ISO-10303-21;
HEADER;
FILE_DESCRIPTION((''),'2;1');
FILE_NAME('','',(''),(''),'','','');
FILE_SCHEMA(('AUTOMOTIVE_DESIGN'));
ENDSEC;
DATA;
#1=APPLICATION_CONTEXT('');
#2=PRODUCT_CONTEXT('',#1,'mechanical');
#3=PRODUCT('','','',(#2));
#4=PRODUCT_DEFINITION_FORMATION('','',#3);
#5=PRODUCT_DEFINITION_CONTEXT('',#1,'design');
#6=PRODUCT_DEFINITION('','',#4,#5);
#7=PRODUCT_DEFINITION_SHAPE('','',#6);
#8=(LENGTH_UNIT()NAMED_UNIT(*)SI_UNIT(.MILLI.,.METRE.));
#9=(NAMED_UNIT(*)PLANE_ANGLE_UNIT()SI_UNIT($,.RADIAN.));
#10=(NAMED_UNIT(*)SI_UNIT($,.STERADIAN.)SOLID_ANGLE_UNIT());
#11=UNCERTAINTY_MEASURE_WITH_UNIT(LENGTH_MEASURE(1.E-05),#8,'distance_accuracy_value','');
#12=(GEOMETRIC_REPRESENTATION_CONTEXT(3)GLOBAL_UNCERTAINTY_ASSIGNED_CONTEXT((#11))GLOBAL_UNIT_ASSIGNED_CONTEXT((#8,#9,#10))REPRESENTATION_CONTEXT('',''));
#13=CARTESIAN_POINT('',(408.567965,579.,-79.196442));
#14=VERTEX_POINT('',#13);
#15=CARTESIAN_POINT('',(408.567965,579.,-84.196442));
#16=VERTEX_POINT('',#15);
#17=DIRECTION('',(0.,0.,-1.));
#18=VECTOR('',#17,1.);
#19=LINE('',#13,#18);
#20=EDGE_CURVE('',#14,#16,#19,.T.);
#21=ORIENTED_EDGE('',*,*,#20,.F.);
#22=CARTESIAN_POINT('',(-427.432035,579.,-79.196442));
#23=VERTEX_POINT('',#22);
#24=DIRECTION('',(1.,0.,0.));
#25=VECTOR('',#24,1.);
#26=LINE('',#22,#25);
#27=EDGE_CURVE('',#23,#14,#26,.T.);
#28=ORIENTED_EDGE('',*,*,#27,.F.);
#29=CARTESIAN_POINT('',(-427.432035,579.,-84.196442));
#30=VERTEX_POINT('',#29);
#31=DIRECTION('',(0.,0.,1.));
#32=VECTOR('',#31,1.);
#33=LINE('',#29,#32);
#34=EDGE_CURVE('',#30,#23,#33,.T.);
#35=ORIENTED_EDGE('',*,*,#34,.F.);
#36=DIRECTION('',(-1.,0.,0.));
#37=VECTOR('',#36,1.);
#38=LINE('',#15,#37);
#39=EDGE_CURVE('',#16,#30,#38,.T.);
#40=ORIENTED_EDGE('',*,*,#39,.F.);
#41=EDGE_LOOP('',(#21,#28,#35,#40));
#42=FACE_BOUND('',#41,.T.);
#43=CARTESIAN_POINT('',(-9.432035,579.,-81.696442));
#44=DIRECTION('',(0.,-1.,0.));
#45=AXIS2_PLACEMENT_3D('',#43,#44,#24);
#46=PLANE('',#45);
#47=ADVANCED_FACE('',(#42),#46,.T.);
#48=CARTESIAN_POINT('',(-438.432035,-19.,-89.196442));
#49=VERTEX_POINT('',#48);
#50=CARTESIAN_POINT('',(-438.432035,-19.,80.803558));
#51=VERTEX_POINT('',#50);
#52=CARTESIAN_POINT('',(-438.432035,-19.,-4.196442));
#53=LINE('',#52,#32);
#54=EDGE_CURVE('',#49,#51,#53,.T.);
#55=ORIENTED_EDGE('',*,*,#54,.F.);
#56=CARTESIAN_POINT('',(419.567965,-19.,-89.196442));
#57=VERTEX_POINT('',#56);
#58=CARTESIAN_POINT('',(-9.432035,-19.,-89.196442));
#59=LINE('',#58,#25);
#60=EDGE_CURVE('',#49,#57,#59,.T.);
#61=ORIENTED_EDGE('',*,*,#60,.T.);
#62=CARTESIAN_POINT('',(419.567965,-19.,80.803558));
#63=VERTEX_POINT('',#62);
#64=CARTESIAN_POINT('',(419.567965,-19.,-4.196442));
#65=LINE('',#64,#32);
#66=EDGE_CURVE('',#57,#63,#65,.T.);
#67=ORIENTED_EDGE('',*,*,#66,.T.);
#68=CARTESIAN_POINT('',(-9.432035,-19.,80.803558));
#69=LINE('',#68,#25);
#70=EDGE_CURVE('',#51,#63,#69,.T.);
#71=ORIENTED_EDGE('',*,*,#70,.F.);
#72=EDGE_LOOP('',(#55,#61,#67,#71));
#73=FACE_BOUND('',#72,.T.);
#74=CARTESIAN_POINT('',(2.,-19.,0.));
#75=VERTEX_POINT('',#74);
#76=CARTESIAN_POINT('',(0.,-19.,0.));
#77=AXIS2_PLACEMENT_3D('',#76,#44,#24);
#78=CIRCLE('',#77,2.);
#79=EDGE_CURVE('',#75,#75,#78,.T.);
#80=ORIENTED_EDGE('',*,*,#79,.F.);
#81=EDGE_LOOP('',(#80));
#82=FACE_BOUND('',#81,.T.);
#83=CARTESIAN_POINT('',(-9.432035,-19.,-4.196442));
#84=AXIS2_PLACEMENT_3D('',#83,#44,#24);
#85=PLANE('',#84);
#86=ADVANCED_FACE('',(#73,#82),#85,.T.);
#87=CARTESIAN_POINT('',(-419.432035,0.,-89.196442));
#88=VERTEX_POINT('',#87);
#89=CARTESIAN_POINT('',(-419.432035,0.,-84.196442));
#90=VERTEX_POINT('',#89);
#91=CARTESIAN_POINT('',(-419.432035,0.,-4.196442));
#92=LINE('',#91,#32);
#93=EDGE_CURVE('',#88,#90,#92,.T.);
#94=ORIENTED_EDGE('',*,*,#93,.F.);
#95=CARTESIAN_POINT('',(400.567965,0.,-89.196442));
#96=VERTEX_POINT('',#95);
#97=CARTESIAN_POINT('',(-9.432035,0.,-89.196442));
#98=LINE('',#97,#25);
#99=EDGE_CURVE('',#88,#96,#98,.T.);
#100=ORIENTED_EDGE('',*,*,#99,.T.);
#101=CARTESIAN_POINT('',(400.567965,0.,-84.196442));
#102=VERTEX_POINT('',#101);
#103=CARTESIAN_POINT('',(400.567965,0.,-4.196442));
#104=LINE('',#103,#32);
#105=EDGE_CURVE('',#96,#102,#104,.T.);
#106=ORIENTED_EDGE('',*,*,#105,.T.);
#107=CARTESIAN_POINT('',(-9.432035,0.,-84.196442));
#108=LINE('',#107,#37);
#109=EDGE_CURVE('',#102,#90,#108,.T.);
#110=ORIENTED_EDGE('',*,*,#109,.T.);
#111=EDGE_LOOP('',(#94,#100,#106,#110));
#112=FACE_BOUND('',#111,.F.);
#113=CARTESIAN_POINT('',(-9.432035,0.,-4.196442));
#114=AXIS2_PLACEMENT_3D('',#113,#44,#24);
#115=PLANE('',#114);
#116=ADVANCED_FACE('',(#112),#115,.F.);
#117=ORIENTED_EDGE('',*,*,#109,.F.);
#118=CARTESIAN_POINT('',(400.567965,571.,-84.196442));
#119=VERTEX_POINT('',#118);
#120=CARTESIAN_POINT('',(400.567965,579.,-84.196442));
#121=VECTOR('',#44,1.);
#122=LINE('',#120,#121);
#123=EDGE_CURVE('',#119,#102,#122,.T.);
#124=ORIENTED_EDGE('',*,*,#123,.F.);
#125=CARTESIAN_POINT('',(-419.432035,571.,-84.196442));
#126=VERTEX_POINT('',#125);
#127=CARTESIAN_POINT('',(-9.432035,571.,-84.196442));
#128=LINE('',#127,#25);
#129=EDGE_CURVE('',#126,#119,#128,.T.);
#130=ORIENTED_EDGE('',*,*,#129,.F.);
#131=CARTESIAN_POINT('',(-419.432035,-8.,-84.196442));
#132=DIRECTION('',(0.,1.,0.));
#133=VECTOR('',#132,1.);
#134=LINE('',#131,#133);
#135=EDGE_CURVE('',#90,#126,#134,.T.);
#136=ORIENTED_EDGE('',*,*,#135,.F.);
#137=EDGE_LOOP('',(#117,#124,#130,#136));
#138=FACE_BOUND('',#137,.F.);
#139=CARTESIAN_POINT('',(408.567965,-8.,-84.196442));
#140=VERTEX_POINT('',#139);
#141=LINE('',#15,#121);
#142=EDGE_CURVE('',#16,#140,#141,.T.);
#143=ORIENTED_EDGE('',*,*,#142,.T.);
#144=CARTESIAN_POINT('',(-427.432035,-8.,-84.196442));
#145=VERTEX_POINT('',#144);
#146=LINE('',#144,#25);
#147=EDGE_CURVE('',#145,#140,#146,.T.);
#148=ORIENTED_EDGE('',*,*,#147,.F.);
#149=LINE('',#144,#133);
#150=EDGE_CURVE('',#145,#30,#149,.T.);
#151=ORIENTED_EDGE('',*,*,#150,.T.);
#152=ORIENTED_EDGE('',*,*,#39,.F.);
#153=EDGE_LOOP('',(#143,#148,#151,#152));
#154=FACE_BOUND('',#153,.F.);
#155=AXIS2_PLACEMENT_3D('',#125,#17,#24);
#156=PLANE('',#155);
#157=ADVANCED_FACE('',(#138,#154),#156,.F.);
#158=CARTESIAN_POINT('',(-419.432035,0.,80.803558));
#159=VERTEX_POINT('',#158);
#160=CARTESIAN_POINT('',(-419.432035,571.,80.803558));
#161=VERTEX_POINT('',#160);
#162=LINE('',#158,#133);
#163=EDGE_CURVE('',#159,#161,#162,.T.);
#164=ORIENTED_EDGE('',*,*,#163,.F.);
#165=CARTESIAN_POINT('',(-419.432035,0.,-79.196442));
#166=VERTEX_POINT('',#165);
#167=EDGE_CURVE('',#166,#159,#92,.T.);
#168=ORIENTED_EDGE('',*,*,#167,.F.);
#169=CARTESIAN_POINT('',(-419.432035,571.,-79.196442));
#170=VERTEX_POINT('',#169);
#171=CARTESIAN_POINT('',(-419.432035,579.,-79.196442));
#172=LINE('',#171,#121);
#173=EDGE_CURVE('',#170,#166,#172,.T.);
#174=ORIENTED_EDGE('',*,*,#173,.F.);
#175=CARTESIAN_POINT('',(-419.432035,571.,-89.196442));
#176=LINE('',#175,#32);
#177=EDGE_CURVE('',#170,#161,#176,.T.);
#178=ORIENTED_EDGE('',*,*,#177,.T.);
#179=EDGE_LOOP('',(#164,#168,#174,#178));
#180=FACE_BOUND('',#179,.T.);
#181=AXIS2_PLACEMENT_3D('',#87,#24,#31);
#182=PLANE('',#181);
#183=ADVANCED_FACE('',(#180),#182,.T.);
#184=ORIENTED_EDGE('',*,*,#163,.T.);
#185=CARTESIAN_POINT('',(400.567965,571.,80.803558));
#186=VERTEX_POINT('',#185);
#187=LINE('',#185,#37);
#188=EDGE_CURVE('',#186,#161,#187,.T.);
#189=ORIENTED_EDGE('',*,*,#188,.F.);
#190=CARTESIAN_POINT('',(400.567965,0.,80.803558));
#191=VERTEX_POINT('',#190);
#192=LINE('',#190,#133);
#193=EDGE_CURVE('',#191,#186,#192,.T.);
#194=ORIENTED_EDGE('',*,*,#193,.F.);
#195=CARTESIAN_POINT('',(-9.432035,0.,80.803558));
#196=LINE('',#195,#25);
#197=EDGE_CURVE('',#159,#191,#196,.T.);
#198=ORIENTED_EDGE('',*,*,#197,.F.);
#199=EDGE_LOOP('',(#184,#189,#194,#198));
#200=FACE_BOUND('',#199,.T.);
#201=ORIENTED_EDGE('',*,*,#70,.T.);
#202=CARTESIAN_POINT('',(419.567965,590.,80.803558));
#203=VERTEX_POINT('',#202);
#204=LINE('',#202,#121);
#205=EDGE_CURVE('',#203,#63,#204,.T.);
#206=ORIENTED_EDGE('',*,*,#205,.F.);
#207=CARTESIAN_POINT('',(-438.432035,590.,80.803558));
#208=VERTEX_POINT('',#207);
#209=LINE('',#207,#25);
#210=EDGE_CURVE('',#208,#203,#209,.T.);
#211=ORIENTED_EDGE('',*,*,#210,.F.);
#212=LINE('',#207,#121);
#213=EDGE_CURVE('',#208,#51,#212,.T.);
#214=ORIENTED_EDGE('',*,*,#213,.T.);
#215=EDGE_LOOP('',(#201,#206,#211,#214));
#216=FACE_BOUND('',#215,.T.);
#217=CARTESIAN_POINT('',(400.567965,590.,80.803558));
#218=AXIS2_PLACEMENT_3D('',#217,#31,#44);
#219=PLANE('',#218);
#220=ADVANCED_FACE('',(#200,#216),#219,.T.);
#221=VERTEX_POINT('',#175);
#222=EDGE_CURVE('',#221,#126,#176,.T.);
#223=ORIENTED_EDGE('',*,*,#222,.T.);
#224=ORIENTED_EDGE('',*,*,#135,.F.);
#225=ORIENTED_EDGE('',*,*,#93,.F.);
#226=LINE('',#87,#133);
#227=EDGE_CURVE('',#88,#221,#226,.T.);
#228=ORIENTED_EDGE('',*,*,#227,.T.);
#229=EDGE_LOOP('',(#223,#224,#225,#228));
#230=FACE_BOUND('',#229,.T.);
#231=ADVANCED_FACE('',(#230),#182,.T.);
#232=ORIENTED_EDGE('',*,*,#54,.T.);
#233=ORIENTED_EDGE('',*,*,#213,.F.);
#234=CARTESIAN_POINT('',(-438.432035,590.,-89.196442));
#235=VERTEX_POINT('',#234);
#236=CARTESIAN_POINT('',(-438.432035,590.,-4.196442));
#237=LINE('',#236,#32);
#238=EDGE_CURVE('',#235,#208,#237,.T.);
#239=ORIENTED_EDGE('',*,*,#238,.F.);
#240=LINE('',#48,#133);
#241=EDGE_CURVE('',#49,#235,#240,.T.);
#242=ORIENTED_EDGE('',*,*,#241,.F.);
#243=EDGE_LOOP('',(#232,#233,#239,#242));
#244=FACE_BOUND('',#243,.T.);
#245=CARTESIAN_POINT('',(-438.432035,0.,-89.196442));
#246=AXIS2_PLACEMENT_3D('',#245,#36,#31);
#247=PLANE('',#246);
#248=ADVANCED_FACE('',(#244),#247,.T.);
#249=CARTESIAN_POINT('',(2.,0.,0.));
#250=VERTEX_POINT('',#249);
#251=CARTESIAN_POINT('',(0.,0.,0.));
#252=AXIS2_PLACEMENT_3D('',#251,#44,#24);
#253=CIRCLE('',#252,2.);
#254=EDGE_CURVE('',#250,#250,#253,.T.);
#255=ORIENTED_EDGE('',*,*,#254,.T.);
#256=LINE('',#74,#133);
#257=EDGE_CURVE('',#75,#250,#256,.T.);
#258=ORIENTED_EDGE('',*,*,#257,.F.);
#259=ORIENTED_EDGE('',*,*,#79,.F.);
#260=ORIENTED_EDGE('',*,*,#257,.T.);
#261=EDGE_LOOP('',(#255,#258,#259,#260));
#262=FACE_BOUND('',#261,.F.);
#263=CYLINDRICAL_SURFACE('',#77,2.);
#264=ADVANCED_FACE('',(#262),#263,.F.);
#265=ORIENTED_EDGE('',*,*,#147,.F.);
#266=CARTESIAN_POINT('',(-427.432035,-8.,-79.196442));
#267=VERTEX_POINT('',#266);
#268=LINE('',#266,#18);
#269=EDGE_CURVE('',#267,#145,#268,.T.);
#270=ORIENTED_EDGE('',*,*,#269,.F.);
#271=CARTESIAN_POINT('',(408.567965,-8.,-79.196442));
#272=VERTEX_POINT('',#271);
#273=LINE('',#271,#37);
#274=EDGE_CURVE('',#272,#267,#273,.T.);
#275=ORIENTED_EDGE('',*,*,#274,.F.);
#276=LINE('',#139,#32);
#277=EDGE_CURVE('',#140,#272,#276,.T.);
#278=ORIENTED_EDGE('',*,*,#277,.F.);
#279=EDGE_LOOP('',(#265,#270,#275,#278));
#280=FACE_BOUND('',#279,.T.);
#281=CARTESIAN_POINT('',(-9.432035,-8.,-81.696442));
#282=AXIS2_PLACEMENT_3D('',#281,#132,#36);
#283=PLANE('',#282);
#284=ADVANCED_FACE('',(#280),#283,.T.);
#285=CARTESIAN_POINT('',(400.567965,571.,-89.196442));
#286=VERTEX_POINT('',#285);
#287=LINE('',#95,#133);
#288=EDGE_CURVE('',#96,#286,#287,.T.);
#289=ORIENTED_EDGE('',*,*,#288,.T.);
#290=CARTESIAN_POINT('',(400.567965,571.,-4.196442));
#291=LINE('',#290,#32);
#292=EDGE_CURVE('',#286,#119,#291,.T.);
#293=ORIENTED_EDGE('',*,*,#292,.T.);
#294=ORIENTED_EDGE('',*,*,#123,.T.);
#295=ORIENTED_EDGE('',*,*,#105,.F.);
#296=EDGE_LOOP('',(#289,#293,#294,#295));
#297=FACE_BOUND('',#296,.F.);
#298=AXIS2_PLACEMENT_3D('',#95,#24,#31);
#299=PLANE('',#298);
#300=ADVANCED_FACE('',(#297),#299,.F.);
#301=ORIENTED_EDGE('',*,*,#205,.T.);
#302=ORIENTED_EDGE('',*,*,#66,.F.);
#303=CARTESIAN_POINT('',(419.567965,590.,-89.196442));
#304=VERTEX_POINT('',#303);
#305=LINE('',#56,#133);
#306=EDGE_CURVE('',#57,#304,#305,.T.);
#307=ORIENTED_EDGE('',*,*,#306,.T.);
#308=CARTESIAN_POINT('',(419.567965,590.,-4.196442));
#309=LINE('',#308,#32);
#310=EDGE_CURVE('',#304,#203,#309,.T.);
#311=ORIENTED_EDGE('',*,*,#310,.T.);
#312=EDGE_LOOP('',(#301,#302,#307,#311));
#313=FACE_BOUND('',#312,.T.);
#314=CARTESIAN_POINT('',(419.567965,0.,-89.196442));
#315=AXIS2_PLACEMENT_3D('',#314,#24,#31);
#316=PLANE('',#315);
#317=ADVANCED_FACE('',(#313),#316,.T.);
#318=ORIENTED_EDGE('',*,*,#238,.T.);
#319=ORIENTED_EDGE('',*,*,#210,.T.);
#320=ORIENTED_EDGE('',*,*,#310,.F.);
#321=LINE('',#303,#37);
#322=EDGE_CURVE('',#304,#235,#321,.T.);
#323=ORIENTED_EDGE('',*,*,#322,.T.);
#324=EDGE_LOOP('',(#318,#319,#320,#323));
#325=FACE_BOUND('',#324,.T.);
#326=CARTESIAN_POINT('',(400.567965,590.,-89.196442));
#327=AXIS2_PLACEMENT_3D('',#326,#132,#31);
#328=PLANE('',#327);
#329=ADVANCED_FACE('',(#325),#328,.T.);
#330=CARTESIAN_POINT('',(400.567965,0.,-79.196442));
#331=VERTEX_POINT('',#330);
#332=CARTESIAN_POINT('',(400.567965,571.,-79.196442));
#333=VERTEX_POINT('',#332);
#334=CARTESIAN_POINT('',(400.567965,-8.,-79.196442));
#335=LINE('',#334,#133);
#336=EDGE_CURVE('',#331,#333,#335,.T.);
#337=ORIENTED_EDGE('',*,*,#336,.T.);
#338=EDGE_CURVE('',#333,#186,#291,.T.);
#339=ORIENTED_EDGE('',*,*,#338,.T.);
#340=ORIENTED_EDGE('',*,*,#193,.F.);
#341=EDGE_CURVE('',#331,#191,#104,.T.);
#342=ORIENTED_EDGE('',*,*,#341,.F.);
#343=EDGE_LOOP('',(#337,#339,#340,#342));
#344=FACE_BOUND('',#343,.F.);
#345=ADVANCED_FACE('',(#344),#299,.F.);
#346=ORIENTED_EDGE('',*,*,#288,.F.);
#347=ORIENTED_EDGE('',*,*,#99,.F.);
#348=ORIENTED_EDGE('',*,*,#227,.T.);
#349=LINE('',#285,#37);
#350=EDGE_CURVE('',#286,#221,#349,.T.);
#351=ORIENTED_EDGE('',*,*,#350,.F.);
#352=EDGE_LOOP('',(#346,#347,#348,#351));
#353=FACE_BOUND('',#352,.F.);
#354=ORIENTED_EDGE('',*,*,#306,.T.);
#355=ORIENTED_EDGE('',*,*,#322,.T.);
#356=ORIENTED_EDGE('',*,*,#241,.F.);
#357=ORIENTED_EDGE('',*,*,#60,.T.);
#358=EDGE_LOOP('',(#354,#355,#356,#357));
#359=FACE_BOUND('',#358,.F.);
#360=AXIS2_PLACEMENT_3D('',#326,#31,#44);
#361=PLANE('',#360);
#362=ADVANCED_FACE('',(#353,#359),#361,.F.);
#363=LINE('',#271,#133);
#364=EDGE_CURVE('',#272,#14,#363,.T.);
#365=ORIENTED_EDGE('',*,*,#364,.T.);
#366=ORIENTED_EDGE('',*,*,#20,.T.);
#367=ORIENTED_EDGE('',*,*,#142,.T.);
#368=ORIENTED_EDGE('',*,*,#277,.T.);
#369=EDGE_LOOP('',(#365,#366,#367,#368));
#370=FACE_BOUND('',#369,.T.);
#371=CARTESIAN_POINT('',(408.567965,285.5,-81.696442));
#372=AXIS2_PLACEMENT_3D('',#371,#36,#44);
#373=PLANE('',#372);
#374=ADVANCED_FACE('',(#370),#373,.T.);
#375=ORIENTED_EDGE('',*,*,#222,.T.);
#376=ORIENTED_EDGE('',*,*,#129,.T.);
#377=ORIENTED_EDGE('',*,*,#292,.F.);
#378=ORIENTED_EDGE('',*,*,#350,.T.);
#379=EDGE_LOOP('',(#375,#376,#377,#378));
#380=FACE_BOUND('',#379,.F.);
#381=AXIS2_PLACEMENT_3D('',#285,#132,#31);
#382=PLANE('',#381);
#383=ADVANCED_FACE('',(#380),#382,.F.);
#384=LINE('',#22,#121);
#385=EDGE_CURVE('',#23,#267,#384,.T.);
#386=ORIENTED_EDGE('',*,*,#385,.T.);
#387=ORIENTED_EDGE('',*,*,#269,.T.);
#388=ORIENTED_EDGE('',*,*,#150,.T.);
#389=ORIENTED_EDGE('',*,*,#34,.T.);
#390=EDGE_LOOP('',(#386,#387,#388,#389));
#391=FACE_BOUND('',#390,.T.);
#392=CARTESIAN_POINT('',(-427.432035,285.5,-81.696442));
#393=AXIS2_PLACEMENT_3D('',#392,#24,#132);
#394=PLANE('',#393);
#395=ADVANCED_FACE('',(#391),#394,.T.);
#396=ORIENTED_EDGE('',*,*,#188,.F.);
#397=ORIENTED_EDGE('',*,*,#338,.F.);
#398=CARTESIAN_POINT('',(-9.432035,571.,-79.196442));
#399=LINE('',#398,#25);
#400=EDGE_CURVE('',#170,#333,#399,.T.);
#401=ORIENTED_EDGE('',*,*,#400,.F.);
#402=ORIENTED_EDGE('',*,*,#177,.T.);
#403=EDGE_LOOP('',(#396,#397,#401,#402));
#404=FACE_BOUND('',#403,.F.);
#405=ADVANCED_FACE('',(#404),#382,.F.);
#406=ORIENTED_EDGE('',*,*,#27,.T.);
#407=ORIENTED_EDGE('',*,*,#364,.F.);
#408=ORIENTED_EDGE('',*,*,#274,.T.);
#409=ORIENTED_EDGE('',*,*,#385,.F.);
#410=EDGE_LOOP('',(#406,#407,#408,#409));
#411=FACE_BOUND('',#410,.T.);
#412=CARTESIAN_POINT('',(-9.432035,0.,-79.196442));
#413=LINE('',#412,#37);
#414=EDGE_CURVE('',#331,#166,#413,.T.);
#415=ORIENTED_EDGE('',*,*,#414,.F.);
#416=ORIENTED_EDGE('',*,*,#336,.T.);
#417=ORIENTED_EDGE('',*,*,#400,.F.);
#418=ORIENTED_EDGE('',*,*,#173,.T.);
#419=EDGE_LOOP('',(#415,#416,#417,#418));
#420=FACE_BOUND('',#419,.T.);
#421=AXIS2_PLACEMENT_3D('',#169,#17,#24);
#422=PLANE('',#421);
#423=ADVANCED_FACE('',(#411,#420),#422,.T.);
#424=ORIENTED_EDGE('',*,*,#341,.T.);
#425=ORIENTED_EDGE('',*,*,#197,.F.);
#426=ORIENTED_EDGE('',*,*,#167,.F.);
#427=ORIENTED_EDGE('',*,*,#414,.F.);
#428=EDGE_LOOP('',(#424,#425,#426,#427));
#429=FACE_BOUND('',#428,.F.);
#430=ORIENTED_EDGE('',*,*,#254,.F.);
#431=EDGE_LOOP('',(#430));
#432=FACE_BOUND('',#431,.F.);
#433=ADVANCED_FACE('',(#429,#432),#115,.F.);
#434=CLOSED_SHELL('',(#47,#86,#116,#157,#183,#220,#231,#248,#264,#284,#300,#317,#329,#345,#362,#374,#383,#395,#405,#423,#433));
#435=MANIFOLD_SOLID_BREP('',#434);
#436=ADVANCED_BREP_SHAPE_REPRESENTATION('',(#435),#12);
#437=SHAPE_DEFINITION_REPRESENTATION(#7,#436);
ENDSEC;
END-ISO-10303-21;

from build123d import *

# Parameters (mm, degrees)
F0_W      = 858
F0_H      = 170
F1_DEPTH  = 19
F2_W      = 19
F2_H      = 170
F3_DEPTH  = 590
F4_W      = 19
F4_H      = 170
F5_DEPTH  = 824
F6_W      = 820
F6_H      = 5
F7_DEPTH  = 8
F8_W      = 820
F8_H      = 5
F9_DEPTH  = 8
F11_DEPTH = 8
F13_DEPTH = 8
F14_R     = 2
F15_DEPTH = 19


with BuildPart() as f1:
    # F0 (on Front) → F1 (new body)
    with BuildSketch(Plane.XZ):
        with Locations((-9.432035, -4.196442)):
            Rectangle(F0_W, F0_H)
    extrude(amount=F1_DEPTH)

    # F2 (on face) → F3 (join)
    with BuildSketch(Plane(origin=(0, 0, 0), x_dir=(-1, 0, 0), z_dir=(0, 1, 0))):
        with Locations((-410.067965, -4.196442)):
            Rectangle(F2_W, F2_H)
        with Locations((428.932035, -4.196442)):
            Rectangle(F2_W, F2_H)
    extrude(amount=F3_DEPTH)

    # F4 (on face) → F5 (join)
    with BuildSketch(Plane(origin=(400.567965, 0, 0), x_dir=(0, -1, 0), z_dir=(-1, 0, 0))):
        with Locations((-580.5, -4.196442)):
            Rectangle(F4_W, F4_H)
    extrude(amount=F5_DEPTH)

    # F6 (on face) → F7 (cut)
    with BuildSketch(Plane.XZ.offset(-571)):
        with Locations((-9.432035, -81.696442)):
            Rectangle(F6_W, F6_H)
    extrude(amount=-F7_DEPTH, mode=Mode.SUBTRACT)

    # F8 (on face) → F9 (cut)
    with BuildSketch(Plane(origin=(0, 0, 0), x_dir=(-1, 0, 0), z_dir=(0, 1, 0))):
        with Locations((9.432035, -81.696442)):
            Rectangle(F8_W, F8_H)
    extrude(amount=-F9_DEPTH, mode=Mode.SUBTRACT)

    # F10 (on face) → F11 (cut)
    with BuildSketch(Plane.YZ.offset(-419.432035)):
        Polygon((0, -79.196442), (-8, -79.196442), (-8, -84.196442), (0, -84.196442), (571, -84.196442), (579, -84.196442), (579, -79.196442), (571, -79.196442), align=None)
    extrude(amount=-F11_DEPTH, mode=Mode.SUBTRACT)

    # F12 (on face) → F13 (cut)
    with BuildSketch(Plane(origin=(400.567965, 0, 0), x_dir=(0, -1, 0), z_dir=(-1, 0, 0))):
        Polygon((8, -84.196442), (8, -79.196442), (0, -79.196442), (-571, -79.196442), (-579, -79.196442), (-579, -84.196442), (-571, -84.196442), (0, -84.196442), align=None)
    extrude(amount=-F13_DEPTH, mode=Mode.SUBTRACT)

    # F14 (on face) → F15 (cut)
    with BuildSketch(Plane.XZ.offset(19)):
        Circle(F14_R)
    extrude(amount=-F15_DEPTH, mode=Mode.SUBTRACT)


solid = f1.part
